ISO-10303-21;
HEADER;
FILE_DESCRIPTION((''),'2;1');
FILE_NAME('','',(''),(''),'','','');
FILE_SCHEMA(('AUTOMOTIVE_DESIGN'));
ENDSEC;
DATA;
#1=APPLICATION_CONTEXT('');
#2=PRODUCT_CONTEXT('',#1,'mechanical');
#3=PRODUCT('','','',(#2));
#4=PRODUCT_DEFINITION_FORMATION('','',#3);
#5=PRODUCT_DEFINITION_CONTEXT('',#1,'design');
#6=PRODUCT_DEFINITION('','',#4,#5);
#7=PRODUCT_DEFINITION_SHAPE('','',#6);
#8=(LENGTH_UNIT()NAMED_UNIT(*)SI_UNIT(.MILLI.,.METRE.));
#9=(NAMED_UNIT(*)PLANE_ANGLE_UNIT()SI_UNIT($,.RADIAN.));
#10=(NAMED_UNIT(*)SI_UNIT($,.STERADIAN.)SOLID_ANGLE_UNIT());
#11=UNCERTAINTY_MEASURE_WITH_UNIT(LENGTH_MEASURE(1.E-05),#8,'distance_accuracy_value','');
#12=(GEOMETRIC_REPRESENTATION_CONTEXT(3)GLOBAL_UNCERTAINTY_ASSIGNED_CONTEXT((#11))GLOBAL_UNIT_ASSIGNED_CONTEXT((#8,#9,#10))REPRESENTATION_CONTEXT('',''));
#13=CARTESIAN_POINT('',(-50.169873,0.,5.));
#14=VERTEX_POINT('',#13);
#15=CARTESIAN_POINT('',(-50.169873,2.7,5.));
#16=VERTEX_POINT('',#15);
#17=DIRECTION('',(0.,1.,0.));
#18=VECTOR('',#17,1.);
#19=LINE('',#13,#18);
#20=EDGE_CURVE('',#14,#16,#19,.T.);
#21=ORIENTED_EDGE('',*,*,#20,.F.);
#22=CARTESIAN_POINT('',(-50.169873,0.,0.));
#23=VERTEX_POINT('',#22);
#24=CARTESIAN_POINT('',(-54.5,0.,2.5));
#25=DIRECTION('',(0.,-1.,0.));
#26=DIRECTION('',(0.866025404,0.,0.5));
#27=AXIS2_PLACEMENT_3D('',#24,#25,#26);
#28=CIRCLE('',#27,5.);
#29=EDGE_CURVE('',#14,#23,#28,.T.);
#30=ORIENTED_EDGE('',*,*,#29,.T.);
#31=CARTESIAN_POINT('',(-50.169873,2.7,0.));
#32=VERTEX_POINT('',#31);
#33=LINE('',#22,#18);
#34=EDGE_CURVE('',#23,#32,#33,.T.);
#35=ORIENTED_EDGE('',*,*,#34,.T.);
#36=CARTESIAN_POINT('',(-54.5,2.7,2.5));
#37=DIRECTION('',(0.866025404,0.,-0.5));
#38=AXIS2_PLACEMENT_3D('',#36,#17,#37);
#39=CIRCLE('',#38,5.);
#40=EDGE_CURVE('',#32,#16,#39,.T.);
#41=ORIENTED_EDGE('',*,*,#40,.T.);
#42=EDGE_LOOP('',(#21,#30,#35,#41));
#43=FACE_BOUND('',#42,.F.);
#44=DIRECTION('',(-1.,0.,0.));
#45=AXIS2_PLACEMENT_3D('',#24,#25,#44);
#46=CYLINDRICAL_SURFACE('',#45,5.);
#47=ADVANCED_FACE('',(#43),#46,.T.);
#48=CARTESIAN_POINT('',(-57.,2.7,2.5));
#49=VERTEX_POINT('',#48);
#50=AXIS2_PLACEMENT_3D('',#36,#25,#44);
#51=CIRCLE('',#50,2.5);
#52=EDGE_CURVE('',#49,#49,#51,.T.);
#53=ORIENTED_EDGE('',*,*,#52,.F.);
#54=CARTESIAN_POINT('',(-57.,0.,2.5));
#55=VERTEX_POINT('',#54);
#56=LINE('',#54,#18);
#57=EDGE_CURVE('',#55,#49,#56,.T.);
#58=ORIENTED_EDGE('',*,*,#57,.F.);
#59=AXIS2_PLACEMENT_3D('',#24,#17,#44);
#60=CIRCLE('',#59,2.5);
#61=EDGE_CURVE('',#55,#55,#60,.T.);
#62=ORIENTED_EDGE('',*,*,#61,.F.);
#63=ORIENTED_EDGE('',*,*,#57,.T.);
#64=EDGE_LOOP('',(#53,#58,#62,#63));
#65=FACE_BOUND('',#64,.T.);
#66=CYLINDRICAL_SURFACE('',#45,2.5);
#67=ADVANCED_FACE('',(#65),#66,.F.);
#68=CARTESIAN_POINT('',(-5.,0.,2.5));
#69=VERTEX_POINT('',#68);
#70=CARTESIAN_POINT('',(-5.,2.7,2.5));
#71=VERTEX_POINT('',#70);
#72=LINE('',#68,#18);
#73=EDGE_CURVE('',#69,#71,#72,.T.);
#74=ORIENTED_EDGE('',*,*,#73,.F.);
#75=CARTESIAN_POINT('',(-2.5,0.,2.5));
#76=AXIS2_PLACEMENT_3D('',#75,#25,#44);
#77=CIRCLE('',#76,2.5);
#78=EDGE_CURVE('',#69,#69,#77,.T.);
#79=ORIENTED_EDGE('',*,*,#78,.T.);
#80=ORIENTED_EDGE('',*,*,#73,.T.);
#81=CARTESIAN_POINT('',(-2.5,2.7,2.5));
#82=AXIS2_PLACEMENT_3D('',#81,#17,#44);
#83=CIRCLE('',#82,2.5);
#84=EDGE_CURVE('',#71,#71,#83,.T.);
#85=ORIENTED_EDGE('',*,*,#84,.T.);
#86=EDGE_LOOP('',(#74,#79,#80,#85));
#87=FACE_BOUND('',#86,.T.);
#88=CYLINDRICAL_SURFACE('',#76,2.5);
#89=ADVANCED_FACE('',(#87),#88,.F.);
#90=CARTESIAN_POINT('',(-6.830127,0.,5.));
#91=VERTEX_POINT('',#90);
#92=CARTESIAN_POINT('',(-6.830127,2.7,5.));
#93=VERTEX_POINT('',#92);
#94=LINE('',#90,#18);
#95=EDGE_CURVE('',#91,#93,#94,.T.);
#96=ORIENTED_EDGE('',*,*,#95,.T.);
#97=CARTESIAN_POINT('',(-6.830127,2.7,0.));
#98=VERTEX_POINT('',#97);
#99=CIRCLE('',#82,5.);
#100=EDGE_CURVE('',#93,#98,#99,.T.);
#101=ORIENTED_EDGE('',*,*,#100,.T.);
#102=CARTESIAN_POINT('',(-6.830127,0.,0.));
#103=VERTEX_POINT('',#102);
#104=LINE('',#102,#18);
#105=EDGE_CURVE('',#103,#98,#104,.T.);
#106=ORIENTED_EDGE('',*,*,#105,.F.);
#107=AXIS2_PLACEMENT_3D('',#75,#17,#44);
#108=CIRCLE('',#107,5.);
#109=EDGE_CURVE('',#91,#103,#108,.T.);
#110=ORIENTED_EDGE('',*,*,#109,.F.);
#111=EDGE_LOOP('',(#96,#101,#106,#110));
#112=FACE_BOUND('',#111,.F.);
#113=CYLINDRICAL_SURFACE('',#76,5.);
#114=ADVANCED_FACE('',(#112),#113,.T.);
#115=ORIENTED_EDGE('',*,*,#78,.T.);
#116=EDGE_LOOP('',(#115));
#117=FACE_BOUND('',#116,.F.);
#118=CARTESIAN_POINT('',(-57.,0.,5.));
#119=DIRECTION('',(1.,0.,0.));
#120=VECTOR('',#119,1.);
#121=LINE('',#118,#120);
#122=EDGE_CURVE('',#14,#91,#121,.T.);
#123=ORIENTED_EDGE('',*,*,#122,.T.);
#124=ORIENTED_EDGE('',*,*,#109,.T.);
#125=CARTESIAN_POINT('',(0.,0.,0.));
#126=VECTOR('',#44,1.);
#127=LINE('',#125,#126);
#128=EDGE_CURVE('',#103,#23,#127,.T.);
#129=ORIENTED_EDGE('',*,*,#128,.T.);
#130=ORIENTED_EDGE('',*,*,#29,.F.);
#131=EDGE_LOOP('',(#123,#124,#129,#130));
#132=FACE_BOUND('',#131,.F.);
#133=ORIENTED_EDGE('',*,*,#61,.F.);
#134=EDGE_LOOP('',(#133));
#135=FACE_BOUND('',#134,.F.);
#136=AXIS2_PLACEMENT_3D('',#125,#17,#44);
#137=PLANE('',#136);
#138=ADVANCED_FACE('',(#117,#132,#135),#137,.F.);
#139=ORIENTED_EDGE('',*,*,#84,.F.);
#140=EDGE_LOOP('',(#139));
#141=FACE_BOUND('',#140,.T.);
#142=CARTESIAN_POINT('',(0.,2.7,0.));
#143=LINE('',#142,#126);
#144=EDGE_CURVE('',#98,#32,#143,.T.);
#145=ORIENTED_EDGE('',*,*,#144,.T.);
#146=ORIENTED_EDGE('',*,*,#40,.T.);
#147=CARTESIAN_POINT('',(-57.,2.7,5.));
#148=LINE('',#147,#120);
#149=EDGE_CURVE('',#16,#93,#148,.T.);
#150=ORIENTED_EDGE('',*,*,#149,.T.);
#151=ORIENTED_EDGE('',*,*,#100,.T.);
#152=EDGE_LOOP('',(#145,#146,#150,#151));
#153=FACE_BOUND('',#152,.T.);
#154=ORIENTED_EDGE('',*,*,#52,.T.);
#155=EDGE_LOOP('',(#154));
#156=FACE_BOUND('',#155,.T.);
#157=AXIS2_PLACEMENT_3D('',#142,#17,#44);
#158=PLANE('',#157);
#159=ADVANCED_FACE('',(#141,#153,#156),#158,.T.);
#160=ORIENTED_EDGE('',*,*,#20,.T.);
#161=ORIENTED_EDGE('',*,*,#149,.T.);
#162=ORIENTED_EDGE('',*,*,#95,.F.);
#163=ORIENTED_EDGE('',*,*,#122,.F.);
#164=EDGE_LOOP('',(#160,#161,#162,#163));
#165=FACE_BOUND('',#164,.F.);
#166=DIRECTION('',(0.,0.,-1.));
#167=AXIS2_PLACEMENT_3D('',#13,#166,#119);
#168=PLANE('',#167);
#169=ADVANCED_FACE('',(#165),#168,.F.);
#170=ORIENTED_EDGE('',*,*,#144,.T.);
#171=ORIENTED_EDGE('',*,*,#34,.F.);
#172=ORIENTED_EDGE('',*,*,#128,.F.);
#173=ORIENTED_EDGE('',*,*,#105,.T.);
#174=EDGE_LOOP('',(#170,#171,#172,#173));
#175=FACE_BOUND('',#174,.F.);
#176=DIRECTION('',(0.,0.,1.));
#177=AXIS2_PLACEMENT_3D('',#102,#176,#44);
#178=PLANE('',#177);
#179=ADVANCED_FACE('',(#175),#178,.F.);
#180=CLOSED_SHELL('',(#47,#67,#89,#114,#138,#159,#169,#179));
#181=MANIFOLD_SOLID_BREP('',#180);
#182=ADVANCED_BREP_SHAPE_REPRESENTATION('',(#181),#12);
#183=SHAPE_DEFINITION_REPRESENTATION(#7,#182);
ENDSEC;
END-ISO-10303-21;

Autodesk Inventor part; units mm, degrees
ref_plane "YZ Plane" through (0, 0, 0) normal (1, 0, 0) x (0, 1, 0)
ref_plane "XZ Plane" through (0, 0, 0) normal (0, 1, 0) x (-1, 0, 0)
ref_plane "XY Plane" through (0, 0, 0) normal (0, 0, 1) x (1, 0, 0)
sketch "Sketch1" plane through (0, 0, 0) normal (0, 1, 0) x (-1, 0, 0)
  line L0 (0, 0) -> (57, 0)
  line L1 (57, 0) -> (57, 5)
  line L2 (57, 5) -> (0, 5)
  line L3 (0, 5) -> (0, 0)
  circle A0 centre (54.5, 2.5) radius 2.5
  circle A1 centre (2.5, 2.5) radius 2.5
  circle A2 centre (54.5, 2.5) radius 5
  circle A3 centre (2.5, 2.5) radius 5
  line L4 (57, 0) -> (57, 5)
  line L5 (57, 2.5) -> (0, 2.5)
  point P0 (50.1699, 0)
  point P1 (50.1699, 5)
  point P2 (6.8301, 5)
  point P3 (6.8301, 0)
  dimension "d0" = 5
  dimension "d1" = 57
  dimension "d2" = 5
  dimension "d3" = 5
  dimension "d4" = 10
  dimension "d5" = 10
extrude "Extrusion1" add sketch "Sketch1" along normal blind 2.7 contours L3 A1 L0 | L0 A3 L2 L3 | A1 L5 A3 L0 | L3 L2 A1 | A3 L5 A2 L0 | A1 L2 A3 L5 | A2 L5 A0 L0 | L0 L1 L2 A2 | L2 A2 L5 A3 | A0 L1 L0 | A2 L2 A0 L5 | A0 L2 L1
properties part number "FP V2 Batang Penggerak" material "Aluminum 6061"
